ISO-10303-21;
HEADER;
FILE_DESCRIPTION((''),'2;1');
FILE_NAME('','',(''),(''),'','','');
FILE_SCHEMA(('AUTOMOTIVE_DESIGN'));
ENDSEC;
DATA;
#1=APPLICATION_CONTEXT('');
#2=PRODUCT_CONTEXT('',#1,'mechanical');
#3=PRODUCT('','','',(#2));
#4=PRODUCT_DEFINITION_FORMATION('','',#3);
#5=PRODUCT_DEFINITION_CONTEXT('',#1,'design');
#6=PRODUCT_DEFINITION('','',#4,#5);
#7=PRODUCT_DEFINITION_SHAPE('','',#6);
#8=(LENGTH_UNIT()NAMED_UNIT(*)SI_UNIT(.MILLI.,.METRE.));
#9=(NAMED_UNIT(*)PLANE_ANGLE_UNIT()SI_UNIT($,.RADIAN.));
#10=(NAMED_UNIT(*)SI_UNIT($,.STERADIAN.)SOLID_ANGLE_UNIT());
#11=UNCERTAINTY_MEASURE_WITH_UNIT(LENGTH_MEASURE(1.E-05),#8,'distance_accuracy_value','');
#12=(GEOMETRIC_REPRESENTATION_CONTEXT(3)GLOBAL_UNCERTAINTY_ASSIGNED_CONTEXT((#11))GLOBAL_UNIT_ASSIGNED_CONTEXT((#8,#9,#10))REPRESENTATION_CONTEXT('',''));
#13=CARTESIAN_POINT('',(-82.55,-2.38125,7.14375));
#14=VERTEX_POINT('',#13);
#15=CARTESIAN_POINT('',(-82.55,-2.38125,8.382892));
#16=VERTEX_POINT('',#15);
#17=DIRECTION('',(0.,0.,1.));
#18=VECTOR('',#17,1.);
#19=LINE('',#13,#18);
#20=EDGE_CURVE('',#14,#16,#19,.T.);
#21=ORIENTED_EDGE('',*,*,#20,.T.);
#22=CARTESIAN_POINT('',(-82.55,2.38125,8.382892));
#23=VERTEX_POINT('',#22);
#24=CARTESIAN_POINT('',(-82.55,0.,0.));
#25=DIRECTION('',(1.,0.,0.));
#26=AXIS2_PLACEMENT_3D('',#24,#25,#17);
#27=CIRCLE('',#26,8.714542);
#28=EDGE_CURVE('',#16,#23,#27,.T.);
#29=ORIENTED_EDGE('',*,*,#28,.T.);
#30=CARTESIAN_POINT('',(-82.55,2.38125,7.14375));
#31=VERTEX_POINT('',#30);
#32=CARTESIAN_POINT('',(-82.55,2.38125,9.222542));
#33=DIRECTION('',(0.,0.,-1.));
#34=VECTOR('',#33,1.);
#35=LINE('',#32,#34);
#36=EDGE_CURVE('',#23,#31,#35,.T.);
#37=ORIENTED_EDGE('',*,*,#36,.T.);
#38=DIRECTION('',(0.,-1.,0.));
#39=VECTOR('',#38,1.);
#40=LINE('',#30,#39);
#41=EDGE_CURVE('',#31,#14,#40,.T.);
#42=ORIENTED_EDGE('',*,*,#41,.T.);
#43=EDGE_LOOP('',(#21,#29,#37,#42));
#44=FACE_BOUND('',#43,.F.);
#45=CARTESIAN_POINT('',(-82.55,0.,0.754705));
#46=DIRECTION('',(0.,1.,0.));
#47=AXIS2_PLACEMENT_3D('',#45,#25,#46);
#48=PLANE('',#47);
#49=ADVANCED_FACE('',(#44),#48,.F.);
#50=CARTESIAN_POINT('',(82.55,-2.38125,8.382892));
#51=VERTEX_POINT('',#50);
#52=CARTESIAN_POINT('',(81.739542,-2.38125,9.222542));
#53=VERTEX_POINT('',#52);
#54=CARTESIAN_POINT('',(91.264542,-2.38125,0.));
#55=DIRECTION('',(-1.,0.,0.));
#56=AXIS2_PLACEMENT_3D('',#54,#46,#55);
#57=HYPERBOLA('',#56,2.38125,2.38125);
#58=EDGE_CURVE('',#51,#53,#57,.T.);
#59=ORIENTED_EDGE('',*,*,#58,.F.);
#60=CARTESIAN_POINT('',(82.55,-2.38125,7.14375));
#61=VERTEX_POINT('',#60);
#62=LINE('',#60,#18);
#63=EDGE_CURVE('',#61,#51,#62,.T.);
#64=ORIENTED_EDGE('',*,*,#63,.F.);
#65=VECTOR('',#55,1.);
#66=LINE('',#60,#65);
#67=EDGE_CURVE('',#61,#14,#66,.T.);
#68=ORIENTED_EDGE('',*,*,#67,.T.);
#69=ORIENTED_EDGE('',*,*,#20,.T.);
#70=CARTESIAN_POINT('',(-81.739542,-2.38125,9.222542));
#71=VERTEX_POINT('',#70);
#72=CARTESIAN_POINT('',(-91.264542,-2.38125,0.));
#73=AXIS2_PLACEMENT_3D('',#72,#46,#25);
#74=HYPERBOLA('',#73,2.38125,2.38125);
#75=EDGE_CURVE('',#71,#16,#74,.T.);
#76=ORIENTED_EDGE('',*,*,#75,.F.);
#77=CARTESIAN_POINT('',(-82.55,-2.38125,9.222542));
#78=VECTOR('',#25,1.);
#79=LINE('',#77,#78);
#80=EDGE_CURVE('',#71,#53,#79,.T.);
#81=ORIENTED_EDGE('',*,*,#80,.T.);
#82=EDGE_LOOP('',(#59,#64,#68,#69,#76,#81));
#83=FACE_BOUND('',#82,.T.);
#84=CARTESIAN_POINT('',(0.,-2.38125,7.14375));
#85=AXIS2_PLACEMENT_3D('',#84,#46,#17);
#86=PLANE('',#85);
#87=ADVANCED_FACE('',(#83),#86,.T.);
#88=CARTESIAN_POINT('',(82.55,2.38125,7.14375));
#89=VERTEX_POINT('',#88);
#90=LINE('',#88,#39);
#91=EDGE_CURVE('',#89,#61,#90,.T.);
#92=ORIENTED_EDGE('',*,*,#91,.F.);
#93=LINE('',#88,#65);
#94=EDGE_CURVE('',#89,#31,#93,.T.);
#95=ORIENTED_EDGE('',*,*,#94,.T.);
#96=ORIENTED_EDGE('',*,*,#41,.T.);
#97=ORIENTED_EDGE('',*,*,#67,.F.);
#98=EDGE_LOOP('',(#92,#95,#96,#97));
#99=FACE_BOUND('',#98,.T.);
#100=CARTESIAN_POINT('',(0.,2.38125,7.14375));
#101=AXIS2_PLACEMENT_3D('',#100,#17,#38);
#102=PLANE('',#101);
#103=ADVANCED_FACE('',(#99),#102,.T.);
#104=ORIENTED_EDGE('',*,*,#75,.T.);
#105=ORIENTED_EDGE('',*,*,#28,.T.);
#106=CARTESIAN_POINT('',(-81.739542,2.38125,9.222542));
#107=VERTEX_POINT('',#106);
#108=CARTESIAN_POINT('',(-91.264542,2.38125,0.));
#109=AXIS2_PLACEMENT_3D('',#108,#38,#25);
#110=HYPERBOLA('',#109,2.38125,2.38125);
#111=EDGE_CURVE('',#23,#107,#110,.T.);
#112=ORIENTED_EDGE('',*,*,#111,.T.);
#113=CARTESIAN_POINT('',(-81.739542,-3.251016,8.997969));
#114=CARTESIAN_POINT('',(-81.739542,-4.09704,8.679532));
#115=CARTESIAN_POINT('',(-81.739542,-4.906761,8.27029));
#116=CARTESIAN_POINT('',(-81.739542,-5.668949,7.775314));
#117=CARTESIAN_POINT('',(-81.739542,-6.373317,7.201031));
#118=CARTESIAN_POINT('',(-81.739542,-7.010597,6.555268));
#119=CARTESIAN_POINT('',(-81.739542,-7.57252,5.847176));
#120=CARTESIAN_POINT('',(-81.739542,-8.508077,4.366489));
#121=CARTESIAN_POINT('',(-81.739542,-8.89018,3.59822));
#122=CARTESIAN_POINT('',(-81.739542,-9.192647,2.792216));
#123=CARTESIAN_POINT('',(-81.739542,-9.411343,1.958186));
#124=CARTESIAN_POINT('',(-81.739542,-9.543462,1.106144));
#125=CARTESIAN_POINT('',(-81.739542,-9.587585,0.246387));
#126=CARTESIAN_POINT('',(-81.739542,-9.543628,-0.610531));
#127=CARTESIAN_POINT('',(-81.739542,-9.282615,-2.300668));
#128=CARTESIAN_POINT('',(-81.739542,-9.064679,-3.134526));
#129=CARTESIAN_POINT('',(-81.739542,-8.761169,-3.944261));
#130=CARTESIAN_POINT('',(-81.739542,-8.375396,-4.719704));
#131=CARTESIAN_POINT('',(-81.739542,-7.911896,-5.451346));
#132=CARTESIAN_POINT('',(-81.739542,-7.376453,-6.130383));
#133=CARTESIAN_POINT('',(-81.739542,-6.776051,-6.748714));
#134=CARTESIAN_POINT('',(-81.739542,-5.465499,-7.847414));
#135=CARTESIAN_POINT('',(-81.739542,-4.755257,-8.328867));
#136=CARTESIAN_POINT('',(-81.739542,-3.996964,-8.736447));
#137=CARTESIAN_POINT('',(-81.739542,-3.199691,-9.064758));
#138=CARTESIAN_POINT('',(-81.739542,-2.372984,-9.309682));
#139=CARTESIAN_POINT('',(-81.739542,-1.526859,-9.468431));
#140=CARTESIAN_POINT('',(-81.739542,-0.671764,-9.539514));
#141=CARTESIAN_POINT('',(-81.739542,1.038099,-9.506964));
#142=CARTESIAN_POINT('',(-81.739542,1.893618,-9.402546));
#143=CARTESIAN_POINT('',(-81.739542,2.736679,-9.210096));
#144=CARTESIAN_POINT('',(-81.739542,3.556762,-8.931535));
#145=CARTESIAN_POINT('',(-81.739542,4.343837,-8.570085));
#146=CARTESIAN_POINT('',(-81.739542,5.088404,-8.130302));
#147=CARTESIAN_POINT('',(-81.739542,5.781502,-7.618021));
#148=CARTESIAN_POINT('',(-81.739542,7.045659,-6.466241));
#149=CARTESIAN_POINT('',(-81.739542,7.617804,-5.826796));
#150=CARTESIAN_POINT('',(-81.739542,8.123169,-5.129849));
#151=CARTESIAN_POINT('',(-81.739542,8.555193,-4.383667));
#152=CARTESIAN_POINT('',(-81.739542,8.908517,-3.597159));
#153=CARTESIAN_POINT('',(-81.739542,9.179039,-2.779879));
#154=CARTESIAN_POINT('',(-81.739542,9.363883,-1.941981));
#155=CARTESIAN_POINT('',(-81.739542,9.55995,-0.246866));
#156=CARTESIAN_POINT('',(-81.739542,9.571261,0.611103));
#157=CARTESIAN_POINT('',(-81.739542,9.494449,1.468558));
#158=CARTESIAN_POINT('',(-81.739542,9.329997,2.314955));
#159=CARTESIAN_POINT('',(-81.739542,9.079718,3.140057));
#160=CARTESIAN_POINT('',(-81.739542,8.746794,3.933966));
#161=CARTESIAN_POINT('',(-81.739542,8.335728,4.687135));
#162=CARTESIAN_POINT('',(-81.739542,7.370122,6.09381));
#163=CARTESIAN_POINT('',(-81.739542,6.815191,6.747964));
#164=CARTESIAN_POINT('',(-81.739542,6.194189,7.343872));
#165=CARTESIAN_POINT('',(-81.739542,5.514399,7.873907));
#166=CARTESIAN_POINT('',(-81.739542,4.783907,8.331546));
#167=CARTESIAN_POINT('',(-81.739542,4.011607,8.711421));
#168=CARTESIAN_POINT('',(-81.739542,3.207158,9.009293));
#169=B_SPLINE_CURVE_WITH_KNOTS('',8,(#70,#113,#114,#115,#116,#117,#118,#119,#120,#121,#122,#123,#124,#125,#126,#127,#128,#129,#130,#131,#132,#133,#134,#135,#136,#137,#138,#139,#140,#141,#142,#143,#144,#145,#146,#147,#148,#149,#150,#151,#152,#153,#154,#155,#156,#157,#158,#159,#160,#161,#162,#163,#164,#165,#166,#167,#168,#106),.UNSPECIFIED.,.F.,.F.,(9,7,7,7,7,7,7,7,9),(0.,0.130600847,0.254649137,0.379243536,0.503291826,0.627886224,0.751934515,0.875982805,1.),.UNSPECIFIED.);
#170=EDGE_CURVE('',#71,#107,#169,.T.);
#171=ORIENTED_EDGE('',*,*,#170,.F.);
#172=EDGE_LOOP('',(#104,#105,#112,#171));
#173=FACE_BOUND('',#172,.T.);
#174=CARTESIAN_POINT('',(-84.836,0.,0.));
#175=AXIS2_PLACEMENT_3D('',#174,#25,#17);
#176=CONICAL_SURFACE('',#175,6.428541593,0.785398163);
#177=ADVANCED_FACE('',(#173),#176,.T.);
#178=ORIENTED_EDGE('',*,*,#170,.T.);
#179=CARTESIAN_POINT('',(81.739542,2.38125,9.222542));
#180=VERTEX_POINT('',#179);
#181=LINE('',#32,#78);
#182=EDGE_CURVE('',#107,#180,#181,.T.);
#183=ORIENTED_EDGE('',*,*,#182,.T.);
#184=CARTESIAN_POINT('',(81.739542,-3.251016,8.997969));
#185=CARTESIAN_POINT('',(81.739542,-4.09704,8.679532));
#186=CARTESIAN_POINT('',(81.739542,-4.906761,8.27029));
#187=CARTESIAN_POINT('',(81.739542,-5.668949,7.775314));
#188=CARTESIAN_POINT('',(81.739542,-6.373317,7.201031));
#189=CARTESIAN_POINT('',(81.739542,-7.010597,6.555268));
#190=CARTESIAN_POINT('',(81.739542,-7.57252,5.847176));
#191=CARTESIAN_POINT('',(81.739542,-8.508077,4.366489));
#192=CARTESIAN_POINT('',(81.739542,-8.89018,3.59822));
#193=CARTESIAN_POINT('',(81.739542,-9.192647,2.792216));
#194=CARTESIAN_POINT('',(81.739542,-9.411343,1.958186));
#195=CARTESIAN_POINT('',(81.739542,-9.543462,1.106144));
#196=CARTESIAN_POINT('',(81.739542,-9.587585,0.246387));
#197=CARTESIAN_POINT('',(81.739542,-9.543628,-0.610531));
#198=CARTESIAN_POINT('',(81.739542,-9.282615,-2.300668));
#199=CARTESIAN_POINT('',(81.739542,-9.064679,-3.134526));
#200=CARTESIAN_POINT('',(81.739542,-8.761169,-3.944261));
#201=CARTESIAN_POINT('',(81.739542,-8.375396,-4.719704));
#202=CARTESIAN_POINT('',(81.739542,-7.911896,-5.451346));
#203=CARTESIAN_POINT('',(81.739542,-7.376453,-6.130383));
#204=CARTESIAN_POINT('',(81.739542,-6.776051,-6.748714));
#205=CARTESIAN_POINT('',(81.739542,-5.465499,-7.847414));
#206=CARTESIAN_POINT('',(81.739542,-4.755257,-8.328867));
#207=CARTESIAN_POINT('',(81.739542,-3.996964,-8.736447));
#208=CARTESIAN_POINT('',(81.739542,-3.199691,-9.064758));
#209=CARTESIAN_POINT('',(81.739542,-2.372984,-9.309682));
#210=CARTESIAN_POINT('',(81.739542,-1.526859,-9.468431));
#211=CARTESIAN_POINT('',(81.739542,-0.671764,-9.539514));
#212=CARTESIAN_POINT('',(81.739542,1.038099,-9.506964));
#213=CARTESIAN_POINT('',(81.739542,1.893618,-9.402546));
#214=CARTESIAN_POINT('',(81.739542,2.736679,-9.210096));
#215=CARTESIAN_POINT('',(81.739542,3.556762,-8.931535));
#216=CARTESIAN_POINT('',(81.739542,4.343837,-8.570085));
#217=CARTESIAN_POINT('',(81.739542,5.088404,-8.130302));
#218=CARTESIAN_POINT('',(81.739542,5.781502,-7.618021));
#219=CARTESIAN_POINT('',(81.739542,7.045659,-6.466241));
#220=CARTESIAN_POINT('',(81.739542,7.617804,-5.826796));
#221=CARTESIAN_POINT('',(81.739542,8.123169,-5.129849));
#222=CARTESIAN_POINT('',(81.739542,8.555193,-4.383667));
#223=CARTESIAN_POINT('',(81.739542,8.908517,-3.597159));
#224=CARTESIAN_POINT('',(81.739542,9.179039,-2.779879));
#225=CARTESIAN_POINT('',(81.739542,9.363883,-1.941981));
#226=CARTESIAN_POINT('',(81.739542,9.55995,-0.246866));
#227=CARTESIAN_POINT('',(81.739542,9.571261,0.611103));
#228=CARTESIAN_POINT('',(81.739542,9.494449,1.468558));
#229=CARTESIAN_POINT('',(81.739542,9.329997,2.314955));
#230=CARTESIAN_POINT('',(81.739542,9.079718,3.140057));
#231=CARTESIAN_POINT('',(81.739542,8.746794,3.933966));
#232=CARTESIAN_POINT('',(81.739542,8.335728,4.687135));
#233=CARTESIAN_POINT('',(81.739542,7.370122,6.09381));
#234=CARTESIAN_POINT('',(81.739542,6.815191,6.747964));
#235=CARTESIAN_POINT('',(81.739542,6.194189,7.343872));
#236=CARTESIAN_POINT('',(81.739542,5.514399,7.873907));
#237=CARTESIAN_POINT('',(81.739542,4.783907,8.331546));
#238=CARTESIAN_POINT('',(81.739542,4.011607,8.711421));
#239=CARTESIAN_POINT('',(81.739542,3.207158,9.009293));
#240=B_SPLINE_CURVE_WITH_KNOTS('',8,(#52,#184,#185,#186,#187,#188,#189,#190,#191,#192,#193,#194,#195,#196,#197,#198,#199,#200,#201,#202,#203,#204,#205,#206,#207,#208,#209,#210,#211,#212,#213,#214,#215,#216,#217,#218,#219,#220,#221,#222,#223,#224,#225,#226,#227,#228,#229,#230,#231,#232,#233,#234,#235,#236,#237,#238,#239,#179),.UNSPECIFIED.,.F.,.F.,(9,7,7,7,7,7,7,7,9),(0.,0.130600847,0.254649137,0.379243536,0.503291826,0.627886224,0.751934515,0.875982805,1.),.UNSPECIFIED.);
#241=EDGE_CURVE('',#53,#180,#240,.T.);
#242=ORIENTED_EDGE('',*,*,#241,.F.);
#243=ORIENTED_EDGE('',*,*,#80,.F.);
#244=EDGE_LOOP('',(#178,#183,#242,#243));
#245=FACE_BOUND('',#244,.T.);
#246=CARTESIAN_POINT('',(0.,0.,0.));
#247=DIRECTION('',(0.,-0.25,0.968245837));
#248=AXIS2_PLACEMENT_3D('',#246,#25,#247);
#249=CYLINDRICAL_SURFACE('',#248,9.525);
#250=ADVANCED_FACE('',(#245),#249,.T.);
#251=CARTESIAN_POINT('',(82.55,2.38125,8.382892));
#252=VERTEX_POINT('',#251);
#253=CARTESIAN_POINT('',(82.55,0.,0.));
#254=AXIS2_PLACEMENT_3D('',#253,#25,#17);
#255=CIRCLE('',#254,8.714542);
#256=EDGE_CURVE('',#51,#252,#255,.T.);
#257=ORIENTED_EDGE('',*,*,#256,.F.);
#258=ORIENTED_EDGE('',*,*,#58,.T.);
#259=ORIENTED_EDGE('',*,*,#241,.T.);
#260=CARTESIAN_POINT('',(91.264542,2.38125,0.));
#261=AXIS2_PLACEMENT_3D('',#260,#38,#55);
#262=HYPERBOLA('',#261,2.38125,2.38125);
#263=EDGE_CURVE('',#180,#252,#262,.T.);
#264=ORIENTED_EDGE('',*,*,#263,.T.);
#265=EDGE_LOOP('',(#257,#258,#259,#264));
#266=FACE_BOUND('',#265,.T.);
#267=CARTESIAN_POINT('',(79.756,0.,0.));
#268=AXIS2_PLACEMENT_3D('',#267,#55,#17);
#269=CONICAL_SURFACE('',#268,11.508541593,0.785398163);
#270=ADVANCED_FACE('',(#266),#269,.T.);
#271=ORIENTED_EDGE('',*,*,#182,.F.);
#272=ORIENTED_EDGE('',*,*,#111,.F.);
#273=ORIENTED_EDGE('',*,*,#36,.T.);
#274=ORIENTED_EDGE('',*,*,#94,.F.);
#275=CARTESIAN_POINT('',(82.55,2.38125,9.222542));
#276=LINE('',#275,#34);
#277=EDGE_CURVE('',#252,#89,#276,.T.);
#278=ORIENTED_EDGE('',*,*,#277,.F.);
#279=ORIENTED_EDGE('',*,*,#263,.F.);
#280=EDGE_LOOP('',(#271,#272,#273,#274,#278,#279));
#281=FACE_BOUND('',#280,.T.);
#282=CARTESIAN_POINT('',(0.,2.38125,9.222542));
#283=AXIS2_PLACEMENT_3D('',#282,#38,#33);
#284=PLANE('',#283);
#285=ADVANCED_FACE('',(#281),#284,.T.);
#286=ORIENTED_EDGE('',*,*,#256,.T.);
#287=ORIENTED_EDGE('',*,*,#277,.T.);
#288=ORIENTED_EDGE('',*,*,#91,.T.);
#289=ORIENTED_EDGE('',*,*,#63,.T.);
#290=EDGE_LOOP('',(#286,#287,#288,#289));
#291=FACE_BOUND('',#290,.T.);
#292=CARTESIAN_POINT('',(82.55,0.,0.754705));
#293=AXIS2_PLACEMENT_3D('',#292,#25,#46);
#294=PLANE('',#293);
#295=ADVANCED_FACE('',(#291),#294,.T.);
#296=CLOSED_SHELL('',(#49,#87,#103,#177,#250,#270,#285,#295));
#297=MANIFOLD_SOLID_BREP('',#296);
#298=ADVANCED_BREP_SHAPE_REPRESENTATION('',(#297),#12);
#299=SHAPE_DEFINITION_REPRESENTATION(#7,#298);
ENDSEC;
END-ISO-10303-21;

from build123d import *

# Parameters (mm, degrees)
F1_DEPTH = 82.55


with BuildPart() as f1:
    # F0 (on Right) → F1 (new body, symmetric)
    with BuildSketch(Plane.YZ):
        with BuildLine():
            Line((-2.38125, 7.14375), (-2.38125, 9.2225415932))
            ThreePointArc((-2.38125, 9.2225415932), (0, -9.525), (2.38125, 9.2225415932))
            Line((2.38125, 9.2225415932), (2.38125, 7.14375))
            Line((2.38125, 7.14375), (-2.38125, 7.14375))
        make_face()
    extrude(amount=F1_DEPTH, both=True)

    # F2 (on Front) → F3 (revolve, cut)
    with BuildSketch(Plane.XZ):
        Polygon((84.836, 11.5085415932), (79.756, 11.5085415932), (84.836, 6.4285415932), align=None)
        Polygon((-79.756, 11.5085415932), (-84.836, 11.5085415932), (-84.836, 6.4285415932), align=None)
    revolve(axis=Axis((41.275, 0, 0), (1, 0, 0)), mode=Mode.SUBTRACT)


solid = f1.part
